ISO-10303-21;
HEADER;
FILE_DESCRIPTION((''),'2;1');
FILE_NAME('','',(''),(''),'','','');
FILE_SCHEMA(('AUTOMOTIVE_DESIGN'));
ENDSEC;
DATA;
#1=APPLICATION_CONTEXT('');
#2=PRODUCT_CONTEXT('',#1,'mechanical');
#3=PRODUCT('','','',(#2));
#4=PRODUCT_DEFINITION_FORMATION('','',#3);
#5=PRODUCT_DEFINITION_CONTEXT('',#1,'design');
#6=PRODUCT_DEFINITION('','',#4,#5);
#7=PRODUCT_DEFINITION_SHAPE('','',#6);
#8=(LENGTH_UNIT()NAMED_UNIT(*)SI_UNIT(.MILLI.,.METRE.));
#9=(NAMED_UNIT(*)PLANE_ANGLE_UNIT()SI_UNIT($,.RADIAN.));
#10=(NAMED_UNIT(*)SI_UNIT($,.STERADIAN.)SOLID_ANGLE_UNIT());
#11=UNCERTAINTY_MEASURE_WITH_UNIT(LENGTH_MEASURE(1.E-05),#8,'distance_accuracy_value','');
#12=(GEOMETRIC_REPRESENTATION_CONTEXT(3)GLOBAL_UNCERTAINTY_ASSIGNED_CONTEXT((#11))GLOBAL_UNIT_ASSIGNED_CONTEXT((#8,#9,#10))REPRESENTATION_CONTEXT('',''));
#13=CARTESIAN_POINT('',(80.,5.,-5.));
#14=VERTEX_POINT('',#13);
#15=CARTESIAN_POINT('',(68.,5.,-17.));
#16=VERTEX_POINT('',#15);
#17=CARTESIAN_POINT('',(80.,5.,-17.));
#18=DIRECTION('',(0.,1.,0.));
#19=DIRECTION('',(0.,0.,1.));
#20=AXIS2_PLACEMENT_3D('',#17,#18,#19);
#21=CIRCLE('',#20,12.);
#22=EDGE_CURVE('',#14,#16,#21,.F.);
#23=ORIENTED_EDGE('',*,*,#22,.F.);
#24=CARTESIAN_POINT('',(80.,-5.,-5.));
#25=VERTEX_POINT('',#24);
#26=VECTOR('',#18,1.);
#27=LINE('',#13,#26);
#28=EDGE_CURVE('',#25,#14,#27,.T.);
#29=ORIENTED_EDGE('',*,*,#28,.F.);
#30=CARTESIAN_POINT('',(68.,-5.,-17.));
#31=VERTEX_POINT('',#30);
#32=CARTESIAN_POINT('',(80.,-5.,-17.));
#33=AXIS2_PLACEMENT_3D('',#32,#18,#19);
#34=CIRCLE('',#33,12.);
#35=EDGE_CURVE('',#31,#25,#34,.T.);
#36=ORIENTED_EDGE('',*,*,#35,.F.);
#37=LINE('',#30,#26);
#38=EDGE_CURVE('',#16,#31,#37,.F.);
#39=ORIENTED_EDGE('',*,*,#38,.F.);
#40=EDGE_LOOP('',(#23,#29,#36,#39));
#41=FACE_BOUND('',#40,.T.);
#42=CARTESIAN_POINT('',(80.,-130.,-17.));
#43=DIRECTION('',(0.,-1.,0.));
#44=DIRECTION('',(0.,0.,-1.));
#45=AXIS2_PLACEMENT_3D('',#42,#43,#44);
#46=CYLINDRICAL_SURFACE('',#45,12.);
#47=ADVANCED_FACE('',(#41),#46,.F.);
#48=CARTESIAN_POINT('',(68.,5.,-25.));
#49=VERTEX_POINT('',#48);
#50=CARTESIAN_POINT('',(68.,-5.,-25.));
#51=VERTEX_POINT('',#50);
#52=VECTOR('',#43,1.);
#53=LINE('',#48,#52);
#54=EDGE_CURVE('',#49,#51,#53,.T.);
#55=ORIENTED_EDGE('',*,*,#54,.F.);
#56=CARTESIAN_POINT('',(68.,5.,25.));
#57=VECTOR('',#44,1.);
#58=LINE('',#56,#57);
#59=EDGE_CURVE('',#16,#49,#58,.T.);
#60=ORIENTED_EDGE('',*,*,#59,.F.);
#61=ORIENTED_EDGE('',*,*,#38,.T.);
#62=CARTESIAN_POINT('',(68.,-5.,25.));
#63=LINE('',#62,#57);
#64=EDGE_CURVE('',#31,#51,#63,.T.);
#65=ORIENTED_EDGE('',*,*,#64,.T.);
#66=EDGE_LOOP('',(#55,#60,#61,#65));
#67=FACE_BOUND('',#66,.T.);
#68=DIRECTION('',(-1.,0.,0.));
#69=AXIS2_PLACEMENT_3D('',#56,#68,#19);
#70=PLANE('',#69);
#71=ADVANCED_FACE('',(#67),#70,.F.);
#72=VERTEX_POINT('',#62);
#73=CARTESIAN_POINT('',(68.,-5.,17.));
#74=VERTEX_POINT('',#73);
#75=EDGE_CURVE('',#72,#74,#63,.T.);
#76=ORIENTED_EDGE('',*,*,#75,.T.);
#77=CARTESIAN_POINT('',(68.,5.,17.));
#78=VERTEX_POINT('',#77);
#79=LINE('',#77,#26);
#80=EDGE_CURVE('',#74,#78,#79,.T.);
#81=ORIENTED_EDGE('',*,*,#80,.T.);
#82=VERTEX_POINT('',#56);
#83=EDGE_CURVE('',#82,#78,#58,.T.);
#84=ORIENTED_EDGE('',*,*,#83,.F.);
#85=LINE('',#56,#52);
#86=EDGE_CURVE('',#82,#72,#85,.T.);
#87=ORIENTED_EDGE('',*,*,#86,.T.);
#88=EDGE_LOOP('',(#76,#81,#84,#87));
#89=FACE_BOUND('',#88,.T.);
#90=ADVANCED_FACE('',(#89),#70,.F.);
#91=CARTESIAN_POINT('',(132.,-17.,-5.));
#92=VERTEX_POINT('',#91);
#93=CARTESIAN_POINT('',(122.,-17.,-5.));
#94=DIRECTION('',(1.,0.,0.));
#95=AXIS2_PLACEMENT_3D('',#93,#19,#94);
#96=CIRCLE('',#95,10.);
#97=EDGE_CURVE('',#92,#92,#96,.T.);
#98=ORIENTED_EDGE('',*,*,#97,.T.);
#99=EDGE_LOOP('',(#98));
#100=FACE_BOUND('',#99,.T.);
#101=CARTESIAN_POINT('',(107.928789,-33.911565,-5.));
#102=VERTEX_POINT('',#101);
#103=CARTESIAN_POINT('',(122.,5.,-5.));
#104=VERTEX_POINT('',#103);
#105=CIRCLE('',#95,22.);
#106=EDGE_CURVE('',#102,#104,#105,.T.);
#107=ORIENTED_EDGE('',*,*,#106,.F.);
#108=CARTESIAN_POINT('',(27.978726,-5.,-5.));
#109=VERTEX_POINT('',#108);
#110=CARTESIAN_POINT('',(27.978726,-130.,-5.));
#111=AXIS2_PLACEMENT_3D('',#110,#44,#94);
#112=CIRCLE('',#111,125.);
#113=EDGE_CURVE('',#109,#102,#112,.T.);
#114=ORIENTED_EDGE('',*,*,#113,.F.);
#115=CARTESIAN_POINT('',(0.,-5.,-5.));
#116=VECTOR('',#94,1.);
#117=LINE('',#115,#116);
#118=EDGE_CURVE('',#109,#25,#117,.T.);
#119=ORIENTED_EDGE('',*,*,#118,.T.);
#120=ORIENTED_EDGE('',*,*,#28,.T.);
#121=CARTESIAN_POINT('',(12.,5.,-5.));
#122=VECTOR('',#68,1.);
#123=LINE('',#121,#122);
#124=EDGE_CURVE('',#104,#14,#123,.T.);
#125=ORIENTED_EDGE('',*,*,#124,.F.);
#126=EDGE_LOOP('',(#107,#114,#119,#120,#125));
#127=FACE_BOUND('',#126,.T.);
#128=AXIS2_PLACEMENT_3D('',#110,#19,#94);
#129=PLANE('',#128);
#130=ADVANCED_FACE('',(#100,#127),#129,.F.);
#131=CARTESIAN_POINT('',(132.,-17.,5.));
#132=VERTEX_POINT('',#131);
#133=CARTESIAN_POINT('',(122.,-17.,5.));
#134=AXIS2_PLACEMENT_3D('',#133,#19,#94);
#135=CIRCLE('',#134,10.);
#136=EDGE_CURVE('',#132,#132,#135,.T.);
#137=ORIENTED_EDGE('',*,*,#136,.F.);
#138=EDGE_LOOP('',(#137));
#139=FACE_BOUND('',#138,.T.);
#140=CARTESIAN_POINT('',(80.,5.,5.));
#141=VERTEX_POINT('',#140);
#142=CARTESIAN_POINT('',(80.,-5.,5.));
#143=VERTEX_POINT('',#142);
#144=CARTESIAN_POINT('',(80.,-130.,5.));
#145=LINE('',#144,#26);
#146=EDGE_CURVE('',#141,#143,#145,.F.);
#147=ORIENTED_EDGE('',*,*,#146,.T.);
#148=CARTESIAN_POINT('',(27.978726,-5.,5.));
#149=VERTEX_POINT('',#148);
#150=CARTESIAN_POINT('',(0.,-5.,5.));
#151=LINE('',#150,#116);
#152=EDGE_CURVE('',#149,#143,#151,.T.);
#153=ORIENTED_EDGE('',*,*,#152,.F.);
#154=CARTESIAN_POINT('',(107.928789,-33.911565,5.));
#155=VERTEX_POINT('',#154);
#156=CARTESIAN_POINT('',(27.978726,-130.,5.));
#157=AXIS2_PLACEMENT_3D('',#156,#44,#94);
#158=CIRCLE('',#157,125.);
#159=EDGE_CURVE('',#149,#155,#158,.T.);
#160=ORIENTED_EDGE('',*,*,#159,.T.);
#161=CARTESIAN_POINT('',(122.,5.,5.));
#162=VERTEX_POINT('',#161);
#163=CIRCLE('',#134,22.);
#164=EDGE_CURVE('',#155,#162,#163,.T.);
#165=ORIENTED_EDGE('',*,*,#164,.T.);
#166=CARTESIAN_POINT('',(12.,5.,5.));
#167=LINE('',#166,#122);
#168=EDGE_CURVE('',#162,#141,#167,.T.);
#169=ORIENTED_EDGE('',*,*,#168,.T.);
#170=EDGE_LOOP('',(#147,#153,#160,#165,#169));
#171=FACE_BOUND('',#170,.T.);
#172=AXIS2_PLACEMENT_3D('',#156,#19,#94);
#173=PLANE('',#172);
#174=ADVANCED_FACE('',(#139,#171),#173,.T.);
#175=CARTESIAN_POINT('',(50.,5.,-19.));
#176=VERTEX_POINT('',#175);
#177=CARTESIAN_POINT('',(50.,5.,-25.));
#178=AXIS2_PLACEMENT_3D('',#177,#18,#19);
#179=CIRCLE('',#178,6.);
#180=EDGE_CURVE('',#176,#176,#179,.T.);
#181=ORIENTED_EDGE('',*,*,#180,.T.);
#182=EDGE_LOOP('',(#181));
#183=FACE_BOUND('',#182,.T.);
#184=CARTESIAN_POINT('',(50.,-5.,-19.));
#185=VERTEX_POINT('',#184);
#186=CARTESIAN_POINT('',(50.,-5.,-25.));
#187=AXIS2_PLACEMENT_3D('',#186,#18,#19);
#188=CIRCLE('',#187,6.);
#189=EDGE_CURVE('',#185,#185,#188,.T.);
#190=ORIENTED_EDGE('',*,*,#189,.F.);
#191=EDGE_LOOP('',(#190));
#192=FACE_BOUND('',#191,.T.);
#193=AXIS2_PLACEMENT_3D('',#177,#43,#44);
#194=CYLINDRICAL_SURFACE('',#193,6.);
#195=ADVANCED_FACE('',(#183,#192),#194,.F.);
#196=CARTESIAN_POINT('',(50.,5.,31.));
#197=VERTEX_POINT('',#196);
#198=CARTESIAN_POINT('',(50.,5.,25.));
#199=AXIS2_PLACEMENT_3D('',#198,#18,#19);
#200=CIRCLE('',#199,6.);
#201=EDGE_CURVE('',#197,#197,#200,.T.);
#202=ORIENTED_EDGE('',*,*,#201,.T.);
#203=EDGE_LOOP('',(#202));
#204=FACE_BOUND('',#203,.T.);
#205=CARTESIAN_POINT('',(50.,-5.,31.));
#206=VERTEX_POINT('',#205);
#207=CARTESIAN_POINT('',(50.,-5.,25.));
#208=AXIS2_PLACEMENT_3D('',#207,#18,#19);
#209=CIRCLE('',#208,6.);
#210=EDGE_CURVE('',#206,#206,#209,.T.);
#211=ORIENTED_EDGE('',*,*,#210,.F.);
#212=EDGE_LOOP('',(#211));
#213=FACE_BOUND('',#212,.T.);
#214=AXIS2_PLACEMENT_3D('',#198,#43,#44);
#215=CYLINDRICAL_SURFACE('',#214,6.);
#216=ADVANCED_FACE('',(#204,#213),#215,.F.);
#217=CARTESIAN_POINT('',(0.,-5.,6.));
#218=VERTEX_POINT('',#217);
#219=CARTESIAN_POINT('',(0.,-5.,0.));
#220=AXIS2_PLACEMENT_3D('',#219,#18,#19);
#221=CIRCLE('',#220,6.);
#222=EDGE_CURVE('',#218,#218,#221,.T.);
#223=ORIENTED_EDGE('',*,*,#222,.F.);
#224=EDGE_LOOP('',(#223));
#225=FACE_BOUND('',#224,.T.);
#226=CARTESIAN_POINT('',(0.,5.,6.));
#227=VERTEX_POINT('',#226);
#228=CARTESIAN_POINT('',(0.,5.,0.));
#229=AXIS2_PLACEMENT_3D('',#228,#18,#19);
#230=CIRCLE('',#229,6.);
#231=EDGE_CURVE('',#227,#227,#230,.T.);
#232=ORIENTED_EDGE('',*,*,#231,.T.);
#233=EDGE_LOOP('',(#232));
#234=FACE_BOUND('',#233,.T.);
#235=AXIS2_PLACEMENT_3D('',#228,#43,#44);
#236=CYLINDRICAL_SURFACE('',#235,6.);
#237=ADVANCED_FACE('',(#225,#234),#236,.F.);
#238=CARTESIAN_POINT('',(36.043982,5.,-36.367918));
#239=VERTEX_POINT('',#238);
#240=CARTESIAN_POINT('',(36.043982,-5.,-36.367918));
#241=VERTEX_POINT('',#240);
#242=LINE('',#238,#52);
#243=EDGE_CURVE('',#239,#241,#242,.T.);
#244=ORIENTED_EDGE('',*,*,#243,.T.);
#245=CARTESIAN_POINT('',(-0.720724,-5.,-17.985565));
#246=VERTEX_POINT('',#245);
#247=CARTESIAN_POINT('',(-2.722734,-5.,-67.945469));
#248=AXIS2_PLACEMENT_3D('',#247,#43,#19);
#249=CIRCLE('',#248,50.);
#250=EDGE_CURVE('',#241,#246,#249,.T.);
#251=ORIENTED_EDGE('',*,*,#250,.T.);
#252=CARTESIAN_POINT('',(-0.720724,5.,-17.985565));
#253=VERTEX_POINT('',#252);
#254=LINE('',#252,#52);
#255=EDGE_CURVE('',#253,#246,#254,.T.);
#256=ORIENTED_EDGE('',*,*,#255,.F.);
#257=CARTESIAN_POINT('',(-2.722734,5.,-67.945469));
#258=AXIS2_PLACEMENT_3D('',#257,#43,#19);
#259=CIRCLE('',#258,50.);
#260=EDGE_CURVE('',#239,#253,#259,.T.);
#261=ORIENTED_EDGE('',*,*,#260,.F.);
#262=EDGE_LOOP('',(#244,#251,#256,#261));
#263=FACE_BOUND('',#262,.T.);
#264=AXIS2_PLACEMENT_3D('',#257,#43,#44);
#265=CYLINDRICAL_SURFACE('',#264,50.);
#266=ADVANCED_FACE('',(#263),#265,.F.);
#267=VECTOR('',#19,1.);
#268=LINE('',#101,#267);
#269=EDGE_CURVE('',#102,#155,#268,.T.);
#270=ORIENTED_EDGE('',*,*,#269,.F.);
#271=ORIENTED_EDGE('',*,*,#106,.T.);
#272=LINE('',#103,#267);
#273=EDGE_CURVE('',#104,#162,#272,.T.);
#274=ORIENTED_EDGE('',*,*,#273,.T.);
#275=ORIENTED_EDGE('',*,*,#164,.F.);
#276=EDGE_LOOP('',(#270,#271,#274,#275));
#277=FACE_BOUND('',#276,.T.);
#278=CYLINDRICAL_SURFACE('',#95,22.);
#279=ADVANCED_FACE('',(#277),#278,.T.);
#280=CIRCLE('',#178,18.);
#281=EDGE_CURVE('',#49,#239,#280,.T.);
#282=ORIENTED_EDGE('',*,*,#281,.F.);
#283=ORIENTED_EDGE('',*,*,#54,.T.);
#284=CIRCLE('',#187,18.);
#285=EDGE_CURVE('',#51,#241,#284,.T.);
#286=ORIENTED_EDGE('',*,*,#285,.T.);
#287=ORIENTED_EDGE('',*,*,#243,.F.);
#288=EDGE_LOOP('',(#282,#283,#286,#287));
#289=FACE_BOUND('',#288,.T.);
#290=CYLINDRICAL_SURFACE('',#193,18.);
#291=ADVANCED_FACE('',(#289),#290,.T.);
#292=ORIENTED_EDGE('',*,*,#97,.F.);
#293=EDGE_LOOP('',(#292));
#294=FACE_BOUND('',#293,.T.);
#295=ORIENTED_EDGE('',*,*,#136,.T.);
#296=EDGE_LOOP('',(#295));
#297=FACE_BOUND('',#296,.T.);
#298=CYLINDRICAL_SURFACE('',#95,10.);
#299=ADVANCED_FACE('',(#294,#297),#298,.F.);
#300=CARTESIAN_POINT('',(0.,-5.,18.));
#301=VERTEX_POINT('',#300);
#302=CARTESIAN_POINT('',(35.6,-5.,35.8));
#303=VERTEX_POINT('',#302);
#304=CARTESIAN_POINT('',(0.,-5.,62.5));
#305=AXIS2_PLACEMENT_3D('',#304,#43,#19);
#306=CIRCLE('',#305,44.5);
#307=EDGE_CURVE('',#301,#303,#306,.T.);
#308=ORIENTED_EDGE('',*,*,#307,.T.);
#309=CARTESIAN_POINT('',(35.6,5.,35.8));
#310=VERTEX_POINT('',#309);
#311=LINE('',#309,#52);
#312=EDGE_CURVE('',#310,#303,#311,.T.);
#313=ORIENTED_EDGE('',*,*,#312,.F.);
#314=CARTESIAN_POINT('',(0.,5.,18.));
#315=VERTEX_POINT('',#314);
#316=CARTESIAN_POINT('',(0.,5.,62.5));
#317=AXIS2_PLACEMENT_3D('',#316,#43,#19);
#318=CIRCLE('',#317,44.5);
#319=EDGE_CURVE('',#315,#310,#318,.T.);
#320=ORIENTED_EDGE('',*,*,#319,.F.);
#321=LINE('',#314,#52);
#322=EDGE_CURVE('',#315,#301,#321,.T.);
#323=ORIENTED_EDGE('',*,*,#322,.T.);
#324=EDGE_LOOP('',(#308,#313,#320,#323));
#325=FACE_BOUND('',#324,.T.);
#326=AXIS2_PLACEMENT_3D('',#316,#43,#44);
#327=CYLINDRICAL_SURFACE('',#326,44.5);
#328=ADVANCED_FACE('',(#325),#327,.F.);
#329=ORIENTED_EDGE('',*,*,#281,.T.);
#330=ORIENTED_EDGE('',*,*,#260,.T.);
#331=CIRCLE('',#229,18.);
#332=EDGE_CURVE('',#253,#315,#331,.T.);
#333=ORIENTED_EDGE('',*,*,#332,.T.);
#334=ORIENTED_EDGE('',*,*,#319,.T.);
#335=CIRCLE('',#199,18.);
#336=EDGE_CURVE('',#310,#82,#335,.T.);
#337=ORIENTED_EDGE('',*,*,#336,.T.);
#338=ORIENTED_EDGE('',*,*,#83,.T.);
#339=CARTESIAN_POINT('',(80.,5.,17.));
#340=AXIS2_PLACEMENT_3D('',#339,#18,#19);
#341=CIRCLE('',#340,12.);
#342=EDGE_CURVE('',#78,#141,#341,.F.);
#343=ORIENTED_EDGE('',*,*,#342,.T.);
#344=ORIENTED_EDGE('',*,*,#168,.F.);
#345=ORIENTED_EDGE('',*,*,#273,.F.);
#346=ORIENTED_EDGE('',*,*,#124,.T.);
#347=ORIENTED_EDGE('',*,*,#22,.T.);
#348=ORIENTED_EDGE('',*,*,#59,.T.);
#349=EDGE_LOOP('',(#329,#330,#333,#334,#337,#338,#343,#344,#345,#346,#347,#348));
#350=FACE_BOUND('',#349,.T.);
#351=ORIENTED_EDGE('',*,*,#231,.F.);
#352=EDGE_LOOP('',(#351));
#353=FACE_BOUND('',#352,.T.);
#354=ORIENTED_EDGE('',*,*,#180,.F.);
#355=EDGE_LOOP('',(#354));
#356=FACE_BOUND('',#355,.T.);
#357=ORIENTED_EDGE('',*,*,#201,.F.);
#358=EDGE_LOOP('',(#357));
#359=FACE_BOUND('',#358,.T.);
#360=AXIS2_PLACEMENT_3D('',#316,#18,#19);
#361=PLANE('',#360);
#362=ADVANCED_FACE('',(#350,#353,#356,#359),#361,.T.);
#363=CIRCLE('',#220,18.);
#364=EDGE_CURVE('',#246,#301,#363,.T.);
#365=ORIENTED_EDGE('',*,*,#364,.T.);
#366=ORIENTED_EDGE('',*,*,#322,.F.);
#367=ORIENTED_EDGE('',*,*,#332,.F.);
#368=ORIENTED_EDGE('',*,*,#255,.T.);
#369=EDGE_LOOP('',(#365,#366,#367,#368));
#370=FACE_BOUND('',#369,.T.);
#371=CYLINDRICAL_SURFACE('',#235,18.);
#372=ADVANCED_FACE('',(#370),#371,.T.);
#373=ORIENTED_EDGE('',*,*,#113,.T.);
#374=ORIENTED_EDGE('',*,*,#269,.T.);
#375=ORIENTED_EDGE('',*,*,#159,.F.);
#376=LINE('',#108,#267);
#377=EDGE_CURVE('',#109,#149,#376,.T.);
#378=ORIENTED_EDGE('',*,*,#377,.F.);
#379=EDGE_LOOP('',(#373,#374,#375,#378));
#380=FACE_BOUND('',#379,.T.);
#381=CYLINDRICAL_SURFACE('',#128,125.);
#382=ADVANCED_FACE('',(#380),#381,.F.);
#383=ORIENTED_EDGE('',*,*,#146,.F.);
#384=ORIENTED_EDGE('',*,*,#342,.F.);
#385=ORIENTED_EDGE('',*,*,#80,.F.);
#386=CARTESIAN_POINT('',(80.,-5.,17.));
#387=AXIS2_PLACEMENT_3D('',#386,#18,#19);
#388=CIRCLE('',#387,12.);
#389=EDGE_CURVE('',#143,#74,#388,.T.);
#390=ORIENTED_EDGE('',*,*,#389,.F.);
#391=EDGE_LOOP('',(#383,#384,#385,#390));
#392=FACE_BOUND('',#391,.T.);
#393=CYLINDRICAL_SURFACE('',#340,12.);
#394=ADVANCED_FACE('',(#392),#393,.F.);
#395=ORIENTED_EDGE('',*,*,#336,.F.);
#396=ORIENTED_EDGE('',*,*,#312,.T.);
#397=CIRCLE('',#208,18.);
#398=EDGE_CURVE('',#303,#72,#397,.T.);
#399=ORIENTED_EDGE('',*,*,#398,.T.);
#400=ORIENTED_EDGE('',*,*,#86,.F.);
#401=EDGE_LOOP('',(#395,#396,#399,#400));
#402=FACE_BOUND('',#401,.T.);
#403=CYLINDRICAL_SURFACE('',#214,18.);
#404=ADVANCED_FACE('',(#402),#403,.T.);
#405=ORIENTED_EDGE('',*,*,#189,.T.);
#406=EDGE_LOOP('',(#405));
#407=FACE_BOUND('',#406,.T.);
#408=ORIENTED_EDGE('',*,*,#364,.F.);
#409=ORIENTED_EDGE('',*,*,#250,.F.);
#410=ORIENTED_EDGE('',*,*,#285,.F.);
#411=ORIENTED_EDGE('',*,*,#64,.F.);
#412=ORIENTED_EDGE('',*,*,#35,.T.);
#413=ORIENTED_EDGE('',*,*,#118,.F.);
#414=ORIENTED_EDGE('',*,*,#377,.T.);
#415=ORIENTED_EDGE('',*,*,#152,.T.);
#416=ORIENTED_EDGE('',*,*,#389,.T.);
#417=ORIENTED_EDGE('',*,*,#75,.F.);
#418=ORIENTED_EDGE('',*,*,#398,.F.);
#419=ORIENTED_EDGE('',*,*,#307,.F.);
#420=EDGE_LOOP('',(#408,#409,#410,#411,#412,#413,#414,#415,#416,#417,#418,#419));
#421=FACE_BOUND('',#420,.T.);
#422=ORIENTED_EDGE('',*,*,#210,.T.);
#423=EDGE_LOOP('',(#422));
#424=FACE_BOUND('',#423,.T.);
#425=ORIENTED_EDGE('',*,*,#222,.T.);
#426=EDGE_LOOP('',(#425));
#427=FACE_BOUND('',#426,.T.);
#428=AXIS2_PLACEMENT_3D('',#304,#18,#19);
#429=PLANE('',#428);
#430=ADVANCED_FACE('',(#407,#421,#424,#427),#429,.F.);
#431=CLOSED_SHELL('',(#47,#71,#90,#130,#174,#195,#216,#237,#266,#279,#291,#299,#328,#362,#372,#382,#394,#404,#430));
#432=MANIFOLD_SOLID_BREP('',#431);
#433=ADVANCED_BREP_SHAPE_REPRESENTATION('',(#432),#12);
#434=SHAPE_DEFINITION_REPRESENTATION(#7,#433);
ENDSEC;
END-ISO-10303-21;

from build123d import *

# Parameters (mm, degrees)
SKETCH2_R           = 6
BOSS_EXTRUDE1_DEPTH = 5
SKETCH3_R           = 10
BOSS_EXTRUDE2_DEPTH = 5
FILLET1_R           = 12


with BuildPart() as part:
    # Sketch2 → Boss-Extrude1 (new, symmetric)
    with BuildSketch(Plane(origin=(0, 0, 0), x_dir=(1, 0, 0), z_dir=(0, 1, 0))):
        with BuildLine():
            Line((68, -25), (68, 25))
            ThreePointArc((68, 25), (56.032896381, 41.958896227), (36.043982083, 36.367918187))
            ThreePointArc((36.043982083, 36.367918187), (19.637945422, 23.224109156), (-0.720723799, 17.985565246))
            ThreePointArc((-0.720723799, 17.985565246), (-17.99639095, -0.360434168), (0, -18))
            ThreePointArc((0, -18), (19.901005, -22.697990001), (35.6, -35.8))
            ThreePointArc((35.6, -35.8), (55.692099788, -42.076299365), (68, -25))
        make_face()
        with Locations(Location((0, 0, 0), (0, 0, 270))):
            Circle(SKETCH2_R, mode=Mode.SUBTRACT)
        with Locations(Location((50, -25, 0), (0, 0, 270))):
            Circle(SKETCH2_R, mode=Mode.SUBTRACT)
        with Locations(Location((50, 25, 0), (0, 0, 270))):
            Circle(SKETCH2_R, mode=Mode.SUBTRACT)
    extrude(amount=BOSS_EXTRUDE1_DEPTH, both=True)

    # Sketch3 → Boss-Extrude2 (add, symmetric)
    with BuildSketch(Plane.XY):
        with BuildLine():
            Line((12, 5), (122, 5))
            ThreePointArc((122, 5), (142.688818499, -24.481496449), (107.928788897, -33.911564626))
            ThreePointArc((107.928788897, -33.911564626), (70.487228363, -12.449894892), (27.978725812, -5))
            Line((27.978725812, -5), (12, -5))
            Line((12, -5), (12, 5))
        make_face()
        with Locations((122, -17)):
            Circle(SKETCH3_R, mode=Mode.SUBTRACT)
    extrude(amount=BOSS_EXTRUDE2_DEPTH, both=True)

    # Fillet1
    fillet1_edges = [part.edges().sort_by_distance(p)[0] for p in [
        (68, 0, 5),
        (68, 0, -5),
    ]]
    fillet(fillet1_edges, radius=FILLET1_R)


solid = part.part
